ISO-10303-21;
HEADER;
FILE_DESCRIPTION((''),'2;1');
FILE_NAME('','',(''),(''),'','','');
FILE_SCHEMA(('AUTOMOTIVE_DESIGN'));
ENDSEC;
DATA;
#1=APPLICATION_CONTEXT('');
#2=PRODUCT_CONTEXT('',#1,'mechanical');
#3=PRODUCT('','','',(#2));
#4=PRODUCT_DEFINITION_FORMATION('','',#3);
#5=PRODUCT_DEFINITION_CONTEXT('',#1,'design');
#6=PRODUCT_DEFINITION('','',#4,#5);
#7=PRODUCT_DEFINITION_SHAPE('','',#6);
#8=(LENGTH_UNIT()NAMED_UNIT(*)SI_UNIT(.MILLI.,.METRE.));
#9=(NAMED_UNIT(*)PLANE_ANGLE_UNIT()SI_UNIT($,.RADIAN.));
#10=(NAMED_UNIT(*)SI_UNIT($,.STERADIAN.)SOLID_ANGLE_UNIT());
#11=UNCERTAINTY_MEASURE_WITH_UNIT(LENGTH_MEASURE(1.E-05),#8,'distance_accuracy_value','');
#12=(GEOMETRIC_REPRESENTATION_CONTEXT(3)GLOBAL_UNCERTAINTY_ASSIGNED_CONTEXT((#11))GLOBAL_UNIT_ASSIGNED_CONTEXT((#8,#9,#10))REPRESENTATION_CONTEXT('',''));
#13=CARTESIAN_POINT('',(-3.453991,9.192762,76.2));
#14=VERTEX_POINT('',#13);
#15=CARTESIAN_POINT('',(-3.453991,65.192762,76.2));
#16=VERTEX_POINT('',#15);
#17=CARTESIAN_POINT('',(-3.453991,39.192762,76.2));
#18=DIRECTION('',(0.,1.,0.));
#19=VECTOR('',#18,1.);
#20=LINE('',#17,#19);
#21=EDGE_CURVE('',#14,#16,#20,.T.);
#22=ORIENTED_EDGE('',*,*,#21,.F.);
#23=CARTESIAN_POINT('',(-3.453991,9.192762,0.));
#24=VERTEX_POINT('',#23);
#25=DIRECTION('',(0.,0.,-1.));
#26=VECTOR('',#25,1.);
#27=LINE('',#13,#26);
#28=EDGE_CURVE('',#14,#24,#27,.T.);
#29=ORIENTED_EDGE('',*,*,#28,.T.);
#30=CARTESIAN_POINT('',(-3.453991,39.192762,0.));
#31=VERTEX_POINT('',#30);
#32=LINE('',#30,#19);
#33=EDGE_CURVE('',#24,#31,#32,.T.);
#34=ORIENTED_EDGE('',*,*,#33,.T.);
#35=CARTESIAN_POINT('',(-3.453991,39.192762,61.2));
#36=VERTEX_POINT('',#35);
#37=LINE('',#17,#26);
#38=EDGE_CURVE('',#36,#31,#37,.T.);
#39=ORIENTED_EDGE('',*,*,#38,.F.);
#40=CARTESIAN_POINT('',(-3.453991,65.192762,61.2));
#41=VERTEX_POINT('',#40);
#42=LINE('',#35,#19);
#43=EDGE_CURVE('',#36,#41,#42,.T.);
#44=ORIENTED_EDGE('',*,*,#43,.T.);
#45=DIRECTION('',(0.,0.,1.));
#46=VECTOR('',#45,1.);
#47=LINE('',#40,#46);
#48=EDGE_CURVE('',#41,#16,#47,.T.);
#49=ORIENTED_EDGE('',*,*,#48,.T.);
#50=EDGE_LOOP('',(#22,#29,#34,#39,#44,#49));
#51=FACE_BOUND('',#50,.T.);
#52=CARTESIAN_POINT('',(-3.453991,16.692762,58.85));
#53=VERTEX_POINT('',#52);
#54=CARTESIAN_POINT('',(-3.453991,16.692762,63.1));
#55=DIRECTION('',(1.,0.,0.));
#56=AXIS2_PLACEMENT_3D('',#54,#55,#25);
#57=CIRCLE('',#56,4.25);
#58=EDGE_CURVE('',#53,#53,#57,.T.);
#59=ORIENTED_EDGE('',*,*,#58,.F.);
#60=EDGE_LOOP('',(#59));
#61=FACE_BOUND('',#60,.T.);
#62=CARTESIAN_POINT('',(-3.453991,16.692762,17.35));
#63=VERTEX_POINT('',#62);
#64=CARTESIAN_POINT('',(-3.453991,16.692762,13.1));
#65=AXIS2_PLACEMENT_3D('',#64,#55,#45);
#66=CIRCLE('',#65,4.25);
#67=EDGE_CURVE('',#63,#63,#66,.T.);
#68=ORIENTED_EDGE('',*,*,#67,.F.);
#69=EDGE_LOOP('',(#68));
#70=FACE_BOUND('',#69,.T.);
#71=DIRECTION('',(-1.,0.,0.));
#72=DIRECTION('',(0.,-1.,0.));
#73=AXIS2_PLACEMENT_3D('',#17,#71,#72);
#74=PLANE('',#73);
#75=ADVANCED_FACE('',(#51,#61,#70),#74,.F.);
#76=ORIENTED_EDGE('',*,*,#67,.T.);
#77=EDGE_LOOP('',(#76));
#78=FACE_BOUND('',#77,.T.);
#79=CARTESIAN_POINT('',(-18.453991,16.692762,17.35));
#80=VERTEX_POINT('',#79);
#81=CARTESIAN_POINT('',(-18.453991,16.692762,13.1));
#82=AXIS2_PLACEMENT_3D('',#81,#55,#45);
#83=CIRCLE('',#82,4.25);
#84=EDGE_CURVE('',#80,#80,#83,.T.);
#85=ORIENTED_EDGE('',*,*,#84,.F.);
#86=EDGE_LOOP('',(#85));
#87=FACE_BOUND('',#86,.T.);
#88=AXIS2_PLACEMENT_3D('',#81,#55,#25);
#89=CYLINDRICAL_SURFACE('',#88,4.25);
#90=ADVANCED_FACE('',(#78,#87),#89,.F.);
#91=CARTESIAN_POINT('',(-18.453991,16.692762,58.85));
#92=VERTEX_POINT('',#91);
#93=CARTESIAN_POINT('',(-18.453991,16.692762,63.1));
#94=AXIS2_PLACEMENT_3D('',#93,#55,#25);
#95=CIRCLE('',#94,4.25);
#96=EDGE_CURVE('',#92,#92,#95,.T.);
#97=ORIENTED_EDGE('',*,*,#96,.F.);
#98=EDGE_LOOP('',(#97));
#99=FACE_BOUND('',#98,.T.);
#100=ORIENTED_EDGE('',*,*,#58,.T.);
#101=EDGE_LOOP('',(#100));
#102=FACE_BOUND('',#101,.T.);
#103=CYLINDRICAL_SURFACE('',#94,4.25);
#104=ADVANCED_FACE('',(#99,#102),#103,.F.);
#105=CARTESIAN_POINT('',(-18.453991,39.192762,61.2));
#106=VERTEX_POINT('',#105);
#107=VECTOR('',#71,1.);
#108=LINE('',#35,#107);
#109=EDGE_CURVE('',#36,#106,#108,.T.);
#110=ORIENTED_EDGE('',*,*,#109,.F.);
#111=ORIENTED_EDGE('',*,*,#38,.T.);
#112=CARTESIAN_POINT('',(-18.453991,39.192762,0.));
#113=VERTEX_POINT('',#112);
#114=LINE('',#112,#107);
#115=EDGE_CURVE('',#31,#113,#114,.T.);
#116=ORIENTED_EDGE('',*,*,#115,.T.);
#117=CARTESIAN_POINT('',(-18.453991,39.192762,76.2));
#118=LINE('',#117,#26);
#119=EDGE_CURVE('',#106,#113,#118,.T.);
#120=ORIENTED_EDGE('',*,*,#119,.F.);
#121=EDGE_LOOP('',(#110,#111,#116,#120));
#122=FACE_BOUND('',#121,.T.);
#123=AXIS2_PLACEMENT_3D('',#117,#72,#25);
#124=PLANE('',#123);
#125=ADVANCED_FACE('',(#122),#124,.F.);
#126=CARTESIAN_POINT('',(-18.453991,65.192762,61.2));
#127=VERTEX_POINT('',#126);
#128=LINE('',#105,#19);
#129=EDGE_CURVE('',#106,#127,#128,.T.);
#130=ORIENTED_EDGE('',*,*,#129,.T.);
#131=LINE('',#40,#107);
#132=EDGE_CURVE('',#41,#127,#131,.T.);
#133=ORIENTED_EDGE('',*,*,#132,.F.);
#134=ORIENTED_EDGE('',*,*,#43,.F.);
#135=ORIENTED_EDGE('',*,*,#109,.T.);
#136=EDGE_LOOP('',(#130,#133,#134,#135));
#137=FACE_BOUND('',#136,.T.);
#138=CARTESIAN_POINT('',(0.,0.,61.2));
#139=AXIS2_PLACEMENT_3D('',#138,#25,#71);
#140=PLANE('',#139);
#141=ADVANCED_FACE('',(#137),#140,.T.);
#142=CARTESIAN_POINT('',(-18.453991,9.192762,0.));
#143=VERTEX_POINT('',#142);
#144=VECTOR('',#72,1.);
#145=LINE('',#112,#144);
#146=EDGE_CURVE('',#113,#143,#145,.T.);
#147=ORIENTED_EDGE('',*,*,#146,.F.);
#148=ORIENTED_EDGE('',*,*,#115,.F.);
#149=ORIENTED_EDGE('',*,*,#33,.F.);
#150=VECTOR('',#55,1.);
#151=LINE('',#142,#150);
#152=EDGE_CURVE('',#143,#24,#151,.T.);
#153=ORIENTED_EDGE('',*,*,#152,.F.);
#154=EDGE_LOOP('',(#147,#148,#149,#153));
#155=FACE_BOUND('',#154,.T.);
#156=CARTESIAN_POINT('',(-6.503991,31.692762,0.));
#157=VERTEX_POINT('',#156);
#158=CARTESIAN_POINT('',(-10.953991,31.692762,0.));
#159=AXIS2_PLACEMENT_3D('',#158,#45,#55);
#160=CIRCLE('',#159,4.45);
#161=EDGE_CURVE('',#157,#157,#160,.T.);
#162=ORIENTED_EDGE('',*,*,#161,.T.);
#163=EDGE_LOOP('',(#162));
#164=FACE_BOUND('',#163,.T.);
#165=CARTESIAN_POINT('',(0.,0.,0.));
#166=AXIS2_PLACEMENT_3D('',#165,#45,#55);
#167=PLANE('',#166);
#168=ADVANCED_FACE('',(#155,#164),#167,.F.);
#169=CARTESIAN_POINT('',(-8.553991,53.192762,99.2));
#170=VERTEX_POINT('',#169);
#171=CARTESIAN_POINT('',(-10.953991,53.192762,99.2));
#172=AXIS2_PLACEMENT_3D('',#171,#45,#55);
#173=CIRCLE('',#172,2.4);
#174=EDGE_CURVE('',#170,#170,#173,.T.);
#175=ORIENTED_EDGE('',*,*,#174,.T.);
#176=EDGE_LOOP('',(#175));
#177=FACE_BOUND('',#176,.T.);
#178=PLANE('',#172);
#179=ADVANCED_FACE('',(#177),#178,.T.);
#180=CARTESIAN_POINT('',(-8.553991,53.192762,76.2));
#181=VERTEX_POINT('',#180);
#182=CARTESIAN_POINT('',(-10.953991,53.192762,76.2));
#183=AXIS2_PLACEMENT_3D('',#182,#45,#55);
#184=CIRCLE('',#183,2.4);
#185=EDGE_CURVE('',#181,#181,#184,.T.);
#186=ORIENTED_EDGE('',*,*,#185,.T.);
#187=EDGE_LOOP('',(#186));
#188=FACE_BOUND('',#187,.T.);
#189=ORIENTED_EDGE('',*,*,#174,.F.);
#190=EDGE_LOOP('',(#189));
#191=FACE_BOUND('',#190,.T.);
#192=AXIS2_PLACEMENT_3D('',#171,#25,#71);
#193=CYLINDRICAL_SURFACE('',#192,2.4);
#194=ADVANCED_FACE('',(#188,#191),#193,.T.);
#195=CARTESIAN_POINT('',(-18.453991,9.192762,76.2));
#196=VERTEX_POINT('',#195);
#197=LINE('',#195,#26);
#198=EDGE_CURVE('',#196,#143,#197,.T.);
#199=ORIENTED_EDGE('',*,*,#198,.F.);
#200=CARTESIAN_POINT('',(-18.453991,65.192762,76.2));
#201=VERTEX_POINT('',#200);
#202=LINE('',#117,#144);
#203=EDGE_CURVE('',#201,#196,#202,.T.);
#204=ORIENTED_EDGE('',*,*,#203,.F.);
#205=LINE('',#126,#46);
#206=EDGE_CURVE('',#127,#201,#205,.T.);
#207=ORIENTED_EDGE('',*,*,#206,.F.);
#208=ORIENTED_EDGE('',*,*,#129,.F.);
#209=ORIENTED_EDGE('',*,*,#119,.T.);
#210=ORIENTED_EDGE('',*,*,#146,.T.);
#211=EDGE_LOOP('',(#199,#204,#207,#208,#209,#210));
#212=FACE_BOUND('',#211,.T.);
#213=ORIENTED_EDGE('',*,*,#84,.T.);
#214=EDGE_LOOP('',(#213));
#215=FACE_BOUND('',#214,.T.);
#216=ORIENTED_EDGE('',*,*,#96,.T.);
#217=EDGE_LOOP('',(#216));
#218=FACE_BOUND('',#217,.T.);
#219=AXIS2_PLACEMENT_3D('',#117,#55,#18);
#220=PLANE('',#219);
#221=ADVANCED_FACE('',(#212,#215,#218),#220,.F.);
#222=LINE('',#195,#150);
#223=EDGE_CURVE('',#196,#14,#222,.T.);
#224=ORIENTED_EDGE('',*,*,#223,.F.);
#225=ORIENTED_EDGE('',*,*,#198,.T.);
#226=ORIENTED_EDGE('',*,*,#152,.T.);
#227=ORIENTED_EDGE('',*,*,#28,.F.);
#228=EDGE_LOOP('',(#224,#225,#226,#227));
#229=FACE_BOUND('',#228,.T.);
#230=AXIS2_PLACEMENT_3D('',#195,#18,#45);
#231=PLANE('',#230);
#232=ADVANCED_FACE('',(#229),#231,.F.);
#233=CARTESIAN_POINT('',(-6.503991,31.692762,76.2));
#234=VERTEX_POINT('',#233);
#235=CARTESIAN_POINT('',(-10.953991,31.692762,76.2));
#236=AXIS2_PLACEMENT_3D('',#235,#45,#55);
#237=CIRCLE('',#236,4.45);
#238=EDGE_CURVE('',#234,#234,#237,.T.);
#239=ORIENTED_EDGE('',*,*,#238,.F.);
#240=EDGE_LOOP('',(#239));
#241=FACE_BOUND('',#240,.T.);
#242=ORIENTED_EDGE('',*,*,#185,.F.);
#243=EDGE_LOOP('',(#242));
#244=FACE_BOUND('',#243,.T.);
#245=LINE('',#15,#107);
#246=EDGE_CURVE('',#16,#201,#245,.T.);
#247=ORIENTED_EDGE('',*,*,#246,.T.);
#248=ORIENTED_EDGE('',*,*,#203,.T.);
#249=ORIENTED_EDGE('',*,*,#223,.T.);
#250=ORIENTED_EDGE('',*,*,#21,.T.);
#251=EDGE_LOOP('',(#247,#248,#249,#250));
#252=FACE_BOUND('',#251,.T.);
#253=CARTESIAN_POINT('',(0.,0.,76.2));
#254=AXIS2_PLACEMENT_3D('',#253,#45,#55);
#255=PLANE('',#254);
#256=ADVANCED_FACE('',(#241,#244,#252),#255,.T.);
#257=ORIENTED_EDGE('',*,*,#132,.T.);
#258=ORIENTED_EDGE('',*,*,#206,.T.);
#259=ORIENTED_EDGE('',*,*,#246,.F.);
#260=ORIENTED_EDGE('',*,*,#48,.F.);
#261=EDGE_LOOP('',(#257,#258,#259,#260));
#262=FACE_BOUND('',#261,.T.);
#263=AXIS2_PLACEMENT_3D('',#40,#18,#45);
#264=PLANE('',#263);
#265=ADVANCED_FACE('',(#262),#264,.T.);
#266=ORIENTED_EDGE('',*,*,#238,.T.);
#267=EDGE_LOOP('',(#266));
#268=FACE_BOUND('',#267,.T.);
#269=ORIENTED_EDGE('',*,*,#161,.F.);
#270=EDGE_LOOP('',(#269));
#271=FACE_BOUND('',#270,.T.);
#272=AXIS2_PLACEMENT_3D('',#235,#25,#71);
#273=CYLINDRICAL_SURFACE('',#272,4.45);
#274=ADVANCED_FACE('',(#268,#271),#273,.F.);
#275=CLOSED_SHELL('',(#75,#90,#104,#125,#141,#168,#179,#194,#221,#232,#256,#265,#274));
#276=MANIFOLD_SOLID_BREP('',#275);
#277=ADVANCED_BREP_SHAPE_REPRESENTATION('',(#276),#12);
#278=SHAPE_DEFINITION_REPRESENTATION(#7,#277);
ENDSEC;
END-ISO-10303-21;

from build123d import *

# Parameters (mm, degrees)
SKETCH2_W           = 15
SKETCH2_H           = 30
SKETCH2_R           = 4.45
BOSS_EXTRUDE1_DEPTH = 76.2
SKETCH3_R           = 4.25
CUT_EXTRUDE2_DEPTH  = 16
SKETCH5_W           = 15
SKETCH5_H           = 26
BOSS_EXTRUDE3_DEPTH = 15
SKETCH8_R           = 2.4
BOSS_EXTRUDE4_DEPTH = 23


with BuildPart() as part:
    # Sketch2 → Boss-Extrude1 (new body)
    with BuildSketch(Plane.XY):
        with Locations((-10.953990987, 24.19276181)):
            Rectangle(SKETCH2_W, SKETCH2_H)
        with Locations((-10.953990987, 31.69276181)):
            Circle(SKETCH2_R, mode=Mode.SUBTRACT)
    extrude(amount=BOSS_EXTRUDE1_DEPTH)

    # Sketch3 → Cut-Extrude2 (cut, through all)
    with BuildSketch(Plane(origin=(-3.453990987, 0, 0), x_dir=(0, 0, -1), z_dir=(1, 0, 0))):
        with Locations((-63.1, 16.69276181)):
            Circle(SKETCH3_R)
        with Locations((-13.1, 16.69276181)):
            Circle(SKETCH3_R)
    extrude(amount=-CUT_EXTRUDE2_DEPTH, mode=Mode.SUBTRACT)

    # Sketch5 → Boss-Extrude3 (add)
    with BuildSketch(Plane.XY.offset(76.2)):
        with Locations((-10.953990987, 52.19276181)):
            Rectangle(SKETCH5_W, SKETCH5_H)
    extrude(amount=-BOSS_EXTRUDE3_DEPTH)

    # Sketch8 → Boss-Extrude4 (add)
    with BuildSketch(Plane.XY.offset(76.2)):
        with Locations((-10.953990987, 53.19276181)):
            Circle(SKETCH8_R)
    extrude(amount=BOSS_EXTRUDE4_DEPTH)


solid = part.part
